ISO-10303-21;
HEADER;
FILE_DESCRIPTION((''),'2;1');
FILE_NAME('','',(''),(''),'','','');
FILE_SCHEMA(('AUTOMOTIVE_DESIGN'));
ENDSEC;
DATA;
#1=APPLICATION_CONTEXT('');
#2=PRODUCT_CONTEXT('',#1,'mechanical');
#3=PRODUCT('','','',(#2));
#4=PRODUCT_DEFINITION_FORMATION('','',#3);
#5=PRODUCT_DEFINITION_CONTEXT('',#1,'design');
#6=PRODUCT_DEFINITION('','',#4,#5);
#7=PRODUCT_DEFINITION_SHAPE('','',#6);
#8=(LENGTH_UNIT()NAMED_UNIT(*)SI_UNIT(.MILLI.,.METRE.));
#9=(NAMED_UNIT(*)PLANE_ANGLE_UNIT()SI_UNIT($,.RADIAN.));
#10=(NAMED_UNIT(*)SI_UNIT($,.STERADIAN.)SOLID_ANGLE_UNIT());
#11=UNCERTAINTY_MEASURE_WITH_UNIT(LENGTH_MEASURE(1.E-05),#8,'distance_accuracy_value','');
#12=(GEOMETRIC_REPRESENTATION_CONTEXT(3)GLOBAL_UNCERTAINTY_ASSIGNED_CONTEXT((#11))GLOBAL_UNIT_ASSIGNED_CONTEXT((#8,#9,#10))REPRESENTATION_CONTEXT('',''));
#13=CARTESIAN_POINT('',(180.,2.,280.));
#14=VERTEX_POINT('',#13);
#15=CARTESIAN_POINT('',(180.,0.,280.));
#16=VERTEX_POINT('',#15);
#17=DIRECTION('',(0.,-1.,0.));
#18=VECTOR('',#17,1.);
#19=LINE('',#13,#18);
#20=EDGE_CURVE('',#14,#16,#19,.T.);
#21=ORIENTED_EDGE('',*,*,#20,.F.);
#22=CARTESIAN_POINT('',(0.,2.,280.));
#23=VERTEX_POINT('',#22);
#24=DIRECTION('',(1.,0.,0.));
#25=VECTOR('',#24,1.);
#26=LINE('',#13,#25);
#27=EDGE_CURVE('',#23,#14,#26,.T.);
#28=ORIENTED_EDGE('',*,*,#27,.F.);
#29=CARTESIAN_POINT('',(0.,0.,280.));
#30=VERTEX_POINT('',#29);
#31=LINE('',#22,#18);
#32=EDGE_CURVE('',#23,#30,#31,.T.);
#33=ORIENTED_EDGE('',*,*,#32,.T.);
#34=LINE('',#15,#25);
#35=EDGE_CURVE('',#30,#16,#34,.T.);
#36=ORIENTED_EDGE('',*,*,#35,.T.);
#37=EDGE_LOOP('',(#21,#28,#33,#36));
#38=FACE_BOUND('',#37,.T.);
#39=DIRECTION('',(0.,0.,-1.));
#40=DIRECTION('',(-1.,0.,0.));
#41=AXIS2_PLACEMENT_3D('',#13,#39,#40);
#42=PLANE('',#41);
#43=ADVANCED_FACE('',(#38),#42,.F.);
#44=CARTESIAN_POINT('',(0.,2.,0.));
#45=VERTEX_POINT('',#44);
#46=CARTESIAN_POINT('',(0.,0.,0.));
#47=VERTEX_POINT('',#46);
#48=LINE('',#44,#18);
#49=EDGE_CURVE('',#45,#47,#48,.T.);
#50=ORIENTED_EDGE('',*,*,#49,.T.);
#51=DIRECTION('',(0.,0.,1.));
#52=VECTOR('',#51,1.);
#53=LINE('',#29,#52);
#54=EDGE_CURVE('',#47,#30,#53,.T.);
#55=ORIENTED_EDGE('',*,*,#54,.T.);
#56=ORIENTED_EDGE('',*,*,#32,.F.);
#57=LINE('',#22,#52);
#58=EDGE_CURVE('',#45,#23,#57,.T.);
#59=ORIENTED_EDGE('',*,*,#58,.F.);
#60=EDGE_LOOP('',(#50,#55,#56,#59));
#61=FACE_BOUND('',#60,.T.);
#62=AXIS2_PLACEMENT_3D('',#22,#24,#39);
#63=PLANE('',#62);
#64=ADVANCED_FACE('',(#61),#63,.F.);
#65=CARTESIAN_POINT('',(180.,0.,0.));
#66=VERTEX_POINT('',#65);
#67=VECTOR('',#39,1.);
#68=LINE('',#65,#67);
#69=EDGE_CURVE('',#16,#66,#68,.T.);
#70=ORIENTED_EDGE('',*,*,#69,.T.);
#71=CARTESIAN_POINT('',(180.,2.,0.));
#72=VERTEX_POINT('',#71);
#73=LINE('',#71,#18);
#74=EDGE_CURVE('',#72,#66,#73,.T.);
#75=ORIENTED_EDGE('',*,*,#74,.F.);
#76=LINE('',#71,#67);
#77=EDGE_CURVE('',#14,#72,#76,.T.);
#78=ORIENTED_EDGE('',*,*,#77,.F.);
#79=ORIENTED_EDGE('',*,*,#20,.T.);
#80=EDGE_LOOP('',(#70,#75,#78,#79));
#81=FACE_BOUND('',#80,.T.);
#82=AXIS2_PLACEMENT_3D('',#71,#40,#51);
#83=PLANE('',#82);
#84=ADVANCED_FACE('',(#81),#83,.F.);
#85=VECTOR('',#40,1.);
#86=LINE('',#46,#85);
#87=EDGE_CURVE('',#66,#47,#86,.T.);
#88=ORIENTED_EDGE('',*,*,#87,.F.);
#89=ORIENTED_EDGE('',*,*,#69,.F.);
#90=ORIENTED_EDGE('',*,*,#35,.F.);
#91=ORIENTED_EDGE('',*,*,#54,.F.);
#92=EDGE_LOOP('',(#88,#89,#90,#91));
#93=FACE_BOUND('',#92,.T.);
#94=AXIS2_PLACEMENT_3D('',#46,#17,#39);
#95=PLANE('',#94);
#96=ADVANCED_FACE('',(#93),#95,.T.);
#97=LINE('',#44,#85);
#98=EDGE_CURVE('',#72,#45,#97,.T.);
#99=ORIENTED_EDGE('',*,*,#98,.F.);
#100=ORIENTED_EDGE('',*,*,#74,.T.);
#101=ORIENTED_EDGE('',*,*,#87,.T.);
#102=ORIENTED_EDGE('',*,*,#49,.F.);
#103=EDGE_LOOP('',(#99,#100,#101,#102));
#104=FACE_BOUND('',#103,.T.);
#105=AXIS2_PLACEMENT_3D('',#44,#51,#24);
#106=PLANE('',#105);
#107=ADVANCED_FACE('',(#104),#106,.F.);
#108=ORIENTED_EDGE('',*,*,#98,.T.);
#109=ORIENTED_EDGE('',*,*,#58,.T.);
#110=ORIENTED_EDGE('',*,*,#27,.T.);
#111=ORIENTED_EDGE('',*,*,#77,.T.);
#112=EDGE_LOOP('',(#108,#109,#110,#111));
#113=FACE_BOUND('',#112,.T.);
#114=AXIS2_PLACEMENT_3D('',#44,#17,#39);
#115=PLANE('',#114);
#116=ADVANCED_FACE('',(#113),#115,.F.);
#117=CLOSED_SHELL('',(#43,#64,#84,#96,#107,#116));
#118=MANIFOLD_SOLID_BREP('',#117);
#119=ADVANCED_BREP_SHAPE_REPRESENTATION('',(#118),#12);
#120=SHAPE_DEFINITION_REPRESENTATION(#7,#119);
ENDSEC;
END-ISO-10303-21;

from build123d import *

# Parameters (mm, degrees)
SKETCH_1_W      = 180
SKETCH_1_H      = 280
EXTRUDE_1_DEPTH = 2


with BuildPart() as part:
    # 草图1 → 凸台-拉伸1 (new body)
    with BuildSketch(Plane(origin=(0, 0, 0), x_dir=(1, 0, 0), z_dir=(0, 1, 0))):
        with Locations((90, -140)):
            Rectangle(SKETCH_1_W, SKETCH_1_H)
    extrude(amount=EXTRUDE_1_DEPTH)


solid = part.part
